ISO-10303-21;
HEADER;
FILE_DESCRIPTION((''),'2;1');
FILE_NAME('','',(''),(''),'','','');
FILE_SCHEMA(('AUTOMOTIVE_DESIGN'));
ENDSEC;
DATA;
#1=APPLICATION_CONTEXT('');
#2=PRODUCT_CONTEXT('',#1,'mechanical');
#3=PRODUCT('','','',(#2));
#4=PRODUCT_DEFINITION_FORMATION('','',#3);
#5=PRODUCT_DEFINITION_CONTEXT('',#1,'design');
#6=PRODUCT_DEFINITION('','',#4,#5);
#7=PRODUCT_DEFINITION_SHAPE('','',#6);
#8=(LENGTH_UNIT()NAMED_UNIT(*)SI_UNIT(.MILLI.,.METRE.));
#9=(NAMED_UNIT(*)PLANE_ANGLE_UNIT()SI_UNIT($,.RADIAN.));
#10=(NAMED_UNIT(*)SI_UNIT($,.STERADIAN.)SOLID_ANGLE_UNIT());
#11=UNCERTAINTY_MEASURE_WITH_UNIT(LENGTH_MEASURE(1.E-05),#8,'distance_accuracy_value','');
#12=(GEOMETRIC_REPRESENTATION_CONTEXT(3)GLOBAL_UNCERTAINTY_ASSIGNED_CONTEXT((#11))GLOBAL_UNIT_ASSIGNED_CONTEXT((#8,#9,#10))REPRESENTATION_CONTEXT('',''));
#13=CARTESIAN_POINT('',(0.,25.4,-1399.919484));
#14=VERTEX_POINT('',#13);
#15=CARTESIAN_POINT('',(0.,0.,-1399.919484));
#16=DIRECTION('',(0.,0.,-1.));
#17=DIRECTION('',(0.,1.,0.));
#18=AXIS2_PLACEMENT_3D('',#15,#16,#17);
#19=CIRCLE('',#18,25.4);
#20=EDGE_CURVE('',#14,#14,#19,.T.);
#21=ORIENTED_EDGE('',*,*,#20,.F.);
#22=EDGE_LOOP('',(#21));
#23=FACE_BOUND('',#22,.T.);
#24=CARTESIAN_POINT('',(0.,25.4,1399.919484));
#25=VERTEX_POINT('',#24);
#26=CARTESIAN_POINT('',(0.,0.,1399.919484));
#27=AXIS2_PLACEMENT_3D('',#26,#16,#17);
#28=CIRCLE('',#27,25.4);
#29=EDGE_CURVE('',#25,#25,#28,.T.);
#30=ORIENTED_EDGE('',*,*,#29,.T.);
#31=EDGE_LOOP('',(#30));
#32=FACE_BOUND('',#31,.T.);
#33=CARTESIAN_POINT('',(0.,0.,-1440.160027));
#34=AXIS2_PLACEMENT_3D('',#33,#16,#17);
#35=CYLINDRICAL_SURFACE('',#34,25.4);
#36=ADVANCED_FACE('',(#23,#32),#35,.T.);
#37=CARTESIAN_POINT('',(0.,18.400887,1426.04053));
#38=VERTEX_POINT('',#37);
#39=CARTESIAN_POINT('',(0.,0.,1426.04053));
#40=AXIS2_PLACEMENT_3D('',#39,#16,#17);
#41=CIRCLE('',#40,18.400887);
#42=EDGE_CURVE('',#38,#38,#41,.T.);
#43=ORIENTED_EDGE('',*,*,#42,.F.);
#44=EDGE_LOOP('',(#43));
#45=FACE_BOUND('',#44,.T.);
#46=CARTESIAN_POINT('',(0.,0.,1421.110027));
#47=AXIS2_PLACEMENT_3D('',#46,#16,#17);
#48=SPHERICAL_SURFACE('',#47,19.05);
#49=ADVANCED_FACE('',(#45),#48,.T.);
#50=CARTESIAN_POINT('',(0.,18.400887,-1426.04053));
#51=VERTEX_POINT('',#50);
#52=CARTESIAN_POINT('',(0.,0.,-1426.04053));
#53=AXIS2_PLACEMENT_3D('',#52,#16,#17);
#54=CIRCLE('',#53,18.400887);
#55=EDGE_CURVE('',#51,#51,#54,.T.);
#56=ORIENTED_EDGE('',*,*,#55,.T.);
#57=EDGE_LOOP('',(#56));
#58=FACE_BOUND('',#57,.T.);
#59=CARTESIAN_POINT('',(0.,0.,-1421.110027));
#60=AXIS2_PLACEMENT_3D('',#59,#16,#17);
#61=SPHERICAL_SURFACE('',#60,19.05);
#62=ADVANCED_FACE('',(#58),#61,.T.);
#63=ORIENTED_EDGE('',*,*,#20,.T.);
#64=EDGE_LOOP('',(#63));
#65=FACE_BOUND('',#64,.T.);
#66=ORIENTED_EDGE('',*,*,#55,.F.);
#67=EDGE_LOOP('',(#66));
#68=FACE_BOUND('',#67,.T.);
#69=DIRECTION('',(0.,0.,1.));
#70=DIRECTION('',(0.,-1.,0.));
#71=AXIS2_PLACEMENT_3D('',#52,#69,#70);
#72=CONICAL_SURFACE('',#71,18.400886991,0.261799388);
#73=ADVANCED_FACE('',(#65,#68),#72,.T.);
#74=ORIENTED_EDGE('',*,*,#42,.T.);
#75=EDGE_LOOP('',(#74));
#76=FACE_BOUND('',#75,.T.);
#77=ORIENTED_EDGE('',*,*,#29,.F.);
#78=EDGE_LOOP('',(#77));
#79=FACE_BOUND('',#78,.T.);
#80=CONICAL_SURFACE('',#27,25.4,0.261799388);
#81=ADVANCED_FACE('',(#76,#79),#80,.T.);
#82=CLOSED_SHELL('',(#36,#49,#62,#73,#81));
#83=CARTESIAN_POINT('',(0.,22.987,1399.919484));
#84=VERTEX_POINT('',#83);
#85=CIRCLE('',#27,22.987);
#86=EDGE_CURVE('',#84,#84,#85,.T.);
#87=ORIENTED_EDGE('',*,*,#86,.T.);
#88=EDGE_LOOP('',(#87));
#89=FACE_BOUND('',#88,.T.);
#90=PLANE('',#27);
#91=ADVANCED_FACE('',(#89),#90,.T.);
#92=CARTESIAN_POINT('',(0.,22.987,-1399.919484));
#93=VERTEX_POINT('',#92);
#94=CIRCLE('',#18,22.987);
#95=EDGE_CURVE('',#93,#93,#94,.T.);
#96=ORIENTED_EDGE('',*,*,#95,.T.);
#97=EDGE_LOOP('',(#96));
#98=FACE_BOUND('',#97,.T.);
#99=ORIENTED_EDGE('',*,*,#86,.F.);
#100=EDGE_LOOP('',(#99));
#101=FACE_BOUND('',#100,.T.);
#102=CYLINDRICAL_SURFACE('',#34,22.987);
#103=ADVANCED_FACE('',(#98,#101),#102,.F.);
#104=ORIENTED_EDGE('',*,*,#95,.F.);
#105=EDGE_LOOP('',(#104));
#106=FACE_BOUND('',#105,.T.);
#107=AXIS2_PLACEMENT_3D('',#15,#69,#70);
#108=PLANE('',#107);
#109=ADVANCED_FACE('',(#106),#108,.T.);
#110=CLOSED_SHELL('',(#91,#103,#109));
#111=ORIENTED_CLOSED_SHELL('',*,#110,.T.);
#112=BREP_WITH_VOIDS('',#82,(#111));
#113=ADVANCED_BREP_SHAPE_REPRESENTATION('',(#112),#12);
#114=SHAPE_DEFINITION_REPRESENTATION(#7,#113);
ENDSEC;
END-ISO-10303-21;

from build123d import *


with BuildPart() as part:
    # Sketch2 → Revolve1 (revolve)
    with BuildSketch(Plane(origin=(0, 0, 0), x_dir=(0, 0, -1), z_dir=(1, 0, 0))):
        with BuildLine():
            Line((1399.919484382, 25.4), (1426.04052974, 18.400886991))
            ThreePointArc((1426.04052974, 18.400886991), (1436.223408064, 11.596905223), (1440.160026931, 0))
            Line((1440.160026931, 0), (1399.919484382, 0))
            Line((1399.919484382, 0), (1399.919484382, 22.987))
            Line((1399.919484382, 22.987), (-1399.919484382, 22.987))
            Line((-1399.919484382, 22.987), (-1399.919484382, 0))
            Line((-1399.919484382, 0), (-1440.160026931, 0))
            ThreePointArc((-1440.160026931, 0), (-1436.223408064, 11.596905223), (-1426.04052974, 18.400886991))
            Line((-1426.04052974, 18.400886991), (-1399.919484382, 25.4))
            Line((-1399.919484382, 25.4), (1399.919484382, 25.4))
        make_face()
    revolve(axis=Axis((0, 0, -1440.160026931), (0, 0, 1)))


solid = part.part
